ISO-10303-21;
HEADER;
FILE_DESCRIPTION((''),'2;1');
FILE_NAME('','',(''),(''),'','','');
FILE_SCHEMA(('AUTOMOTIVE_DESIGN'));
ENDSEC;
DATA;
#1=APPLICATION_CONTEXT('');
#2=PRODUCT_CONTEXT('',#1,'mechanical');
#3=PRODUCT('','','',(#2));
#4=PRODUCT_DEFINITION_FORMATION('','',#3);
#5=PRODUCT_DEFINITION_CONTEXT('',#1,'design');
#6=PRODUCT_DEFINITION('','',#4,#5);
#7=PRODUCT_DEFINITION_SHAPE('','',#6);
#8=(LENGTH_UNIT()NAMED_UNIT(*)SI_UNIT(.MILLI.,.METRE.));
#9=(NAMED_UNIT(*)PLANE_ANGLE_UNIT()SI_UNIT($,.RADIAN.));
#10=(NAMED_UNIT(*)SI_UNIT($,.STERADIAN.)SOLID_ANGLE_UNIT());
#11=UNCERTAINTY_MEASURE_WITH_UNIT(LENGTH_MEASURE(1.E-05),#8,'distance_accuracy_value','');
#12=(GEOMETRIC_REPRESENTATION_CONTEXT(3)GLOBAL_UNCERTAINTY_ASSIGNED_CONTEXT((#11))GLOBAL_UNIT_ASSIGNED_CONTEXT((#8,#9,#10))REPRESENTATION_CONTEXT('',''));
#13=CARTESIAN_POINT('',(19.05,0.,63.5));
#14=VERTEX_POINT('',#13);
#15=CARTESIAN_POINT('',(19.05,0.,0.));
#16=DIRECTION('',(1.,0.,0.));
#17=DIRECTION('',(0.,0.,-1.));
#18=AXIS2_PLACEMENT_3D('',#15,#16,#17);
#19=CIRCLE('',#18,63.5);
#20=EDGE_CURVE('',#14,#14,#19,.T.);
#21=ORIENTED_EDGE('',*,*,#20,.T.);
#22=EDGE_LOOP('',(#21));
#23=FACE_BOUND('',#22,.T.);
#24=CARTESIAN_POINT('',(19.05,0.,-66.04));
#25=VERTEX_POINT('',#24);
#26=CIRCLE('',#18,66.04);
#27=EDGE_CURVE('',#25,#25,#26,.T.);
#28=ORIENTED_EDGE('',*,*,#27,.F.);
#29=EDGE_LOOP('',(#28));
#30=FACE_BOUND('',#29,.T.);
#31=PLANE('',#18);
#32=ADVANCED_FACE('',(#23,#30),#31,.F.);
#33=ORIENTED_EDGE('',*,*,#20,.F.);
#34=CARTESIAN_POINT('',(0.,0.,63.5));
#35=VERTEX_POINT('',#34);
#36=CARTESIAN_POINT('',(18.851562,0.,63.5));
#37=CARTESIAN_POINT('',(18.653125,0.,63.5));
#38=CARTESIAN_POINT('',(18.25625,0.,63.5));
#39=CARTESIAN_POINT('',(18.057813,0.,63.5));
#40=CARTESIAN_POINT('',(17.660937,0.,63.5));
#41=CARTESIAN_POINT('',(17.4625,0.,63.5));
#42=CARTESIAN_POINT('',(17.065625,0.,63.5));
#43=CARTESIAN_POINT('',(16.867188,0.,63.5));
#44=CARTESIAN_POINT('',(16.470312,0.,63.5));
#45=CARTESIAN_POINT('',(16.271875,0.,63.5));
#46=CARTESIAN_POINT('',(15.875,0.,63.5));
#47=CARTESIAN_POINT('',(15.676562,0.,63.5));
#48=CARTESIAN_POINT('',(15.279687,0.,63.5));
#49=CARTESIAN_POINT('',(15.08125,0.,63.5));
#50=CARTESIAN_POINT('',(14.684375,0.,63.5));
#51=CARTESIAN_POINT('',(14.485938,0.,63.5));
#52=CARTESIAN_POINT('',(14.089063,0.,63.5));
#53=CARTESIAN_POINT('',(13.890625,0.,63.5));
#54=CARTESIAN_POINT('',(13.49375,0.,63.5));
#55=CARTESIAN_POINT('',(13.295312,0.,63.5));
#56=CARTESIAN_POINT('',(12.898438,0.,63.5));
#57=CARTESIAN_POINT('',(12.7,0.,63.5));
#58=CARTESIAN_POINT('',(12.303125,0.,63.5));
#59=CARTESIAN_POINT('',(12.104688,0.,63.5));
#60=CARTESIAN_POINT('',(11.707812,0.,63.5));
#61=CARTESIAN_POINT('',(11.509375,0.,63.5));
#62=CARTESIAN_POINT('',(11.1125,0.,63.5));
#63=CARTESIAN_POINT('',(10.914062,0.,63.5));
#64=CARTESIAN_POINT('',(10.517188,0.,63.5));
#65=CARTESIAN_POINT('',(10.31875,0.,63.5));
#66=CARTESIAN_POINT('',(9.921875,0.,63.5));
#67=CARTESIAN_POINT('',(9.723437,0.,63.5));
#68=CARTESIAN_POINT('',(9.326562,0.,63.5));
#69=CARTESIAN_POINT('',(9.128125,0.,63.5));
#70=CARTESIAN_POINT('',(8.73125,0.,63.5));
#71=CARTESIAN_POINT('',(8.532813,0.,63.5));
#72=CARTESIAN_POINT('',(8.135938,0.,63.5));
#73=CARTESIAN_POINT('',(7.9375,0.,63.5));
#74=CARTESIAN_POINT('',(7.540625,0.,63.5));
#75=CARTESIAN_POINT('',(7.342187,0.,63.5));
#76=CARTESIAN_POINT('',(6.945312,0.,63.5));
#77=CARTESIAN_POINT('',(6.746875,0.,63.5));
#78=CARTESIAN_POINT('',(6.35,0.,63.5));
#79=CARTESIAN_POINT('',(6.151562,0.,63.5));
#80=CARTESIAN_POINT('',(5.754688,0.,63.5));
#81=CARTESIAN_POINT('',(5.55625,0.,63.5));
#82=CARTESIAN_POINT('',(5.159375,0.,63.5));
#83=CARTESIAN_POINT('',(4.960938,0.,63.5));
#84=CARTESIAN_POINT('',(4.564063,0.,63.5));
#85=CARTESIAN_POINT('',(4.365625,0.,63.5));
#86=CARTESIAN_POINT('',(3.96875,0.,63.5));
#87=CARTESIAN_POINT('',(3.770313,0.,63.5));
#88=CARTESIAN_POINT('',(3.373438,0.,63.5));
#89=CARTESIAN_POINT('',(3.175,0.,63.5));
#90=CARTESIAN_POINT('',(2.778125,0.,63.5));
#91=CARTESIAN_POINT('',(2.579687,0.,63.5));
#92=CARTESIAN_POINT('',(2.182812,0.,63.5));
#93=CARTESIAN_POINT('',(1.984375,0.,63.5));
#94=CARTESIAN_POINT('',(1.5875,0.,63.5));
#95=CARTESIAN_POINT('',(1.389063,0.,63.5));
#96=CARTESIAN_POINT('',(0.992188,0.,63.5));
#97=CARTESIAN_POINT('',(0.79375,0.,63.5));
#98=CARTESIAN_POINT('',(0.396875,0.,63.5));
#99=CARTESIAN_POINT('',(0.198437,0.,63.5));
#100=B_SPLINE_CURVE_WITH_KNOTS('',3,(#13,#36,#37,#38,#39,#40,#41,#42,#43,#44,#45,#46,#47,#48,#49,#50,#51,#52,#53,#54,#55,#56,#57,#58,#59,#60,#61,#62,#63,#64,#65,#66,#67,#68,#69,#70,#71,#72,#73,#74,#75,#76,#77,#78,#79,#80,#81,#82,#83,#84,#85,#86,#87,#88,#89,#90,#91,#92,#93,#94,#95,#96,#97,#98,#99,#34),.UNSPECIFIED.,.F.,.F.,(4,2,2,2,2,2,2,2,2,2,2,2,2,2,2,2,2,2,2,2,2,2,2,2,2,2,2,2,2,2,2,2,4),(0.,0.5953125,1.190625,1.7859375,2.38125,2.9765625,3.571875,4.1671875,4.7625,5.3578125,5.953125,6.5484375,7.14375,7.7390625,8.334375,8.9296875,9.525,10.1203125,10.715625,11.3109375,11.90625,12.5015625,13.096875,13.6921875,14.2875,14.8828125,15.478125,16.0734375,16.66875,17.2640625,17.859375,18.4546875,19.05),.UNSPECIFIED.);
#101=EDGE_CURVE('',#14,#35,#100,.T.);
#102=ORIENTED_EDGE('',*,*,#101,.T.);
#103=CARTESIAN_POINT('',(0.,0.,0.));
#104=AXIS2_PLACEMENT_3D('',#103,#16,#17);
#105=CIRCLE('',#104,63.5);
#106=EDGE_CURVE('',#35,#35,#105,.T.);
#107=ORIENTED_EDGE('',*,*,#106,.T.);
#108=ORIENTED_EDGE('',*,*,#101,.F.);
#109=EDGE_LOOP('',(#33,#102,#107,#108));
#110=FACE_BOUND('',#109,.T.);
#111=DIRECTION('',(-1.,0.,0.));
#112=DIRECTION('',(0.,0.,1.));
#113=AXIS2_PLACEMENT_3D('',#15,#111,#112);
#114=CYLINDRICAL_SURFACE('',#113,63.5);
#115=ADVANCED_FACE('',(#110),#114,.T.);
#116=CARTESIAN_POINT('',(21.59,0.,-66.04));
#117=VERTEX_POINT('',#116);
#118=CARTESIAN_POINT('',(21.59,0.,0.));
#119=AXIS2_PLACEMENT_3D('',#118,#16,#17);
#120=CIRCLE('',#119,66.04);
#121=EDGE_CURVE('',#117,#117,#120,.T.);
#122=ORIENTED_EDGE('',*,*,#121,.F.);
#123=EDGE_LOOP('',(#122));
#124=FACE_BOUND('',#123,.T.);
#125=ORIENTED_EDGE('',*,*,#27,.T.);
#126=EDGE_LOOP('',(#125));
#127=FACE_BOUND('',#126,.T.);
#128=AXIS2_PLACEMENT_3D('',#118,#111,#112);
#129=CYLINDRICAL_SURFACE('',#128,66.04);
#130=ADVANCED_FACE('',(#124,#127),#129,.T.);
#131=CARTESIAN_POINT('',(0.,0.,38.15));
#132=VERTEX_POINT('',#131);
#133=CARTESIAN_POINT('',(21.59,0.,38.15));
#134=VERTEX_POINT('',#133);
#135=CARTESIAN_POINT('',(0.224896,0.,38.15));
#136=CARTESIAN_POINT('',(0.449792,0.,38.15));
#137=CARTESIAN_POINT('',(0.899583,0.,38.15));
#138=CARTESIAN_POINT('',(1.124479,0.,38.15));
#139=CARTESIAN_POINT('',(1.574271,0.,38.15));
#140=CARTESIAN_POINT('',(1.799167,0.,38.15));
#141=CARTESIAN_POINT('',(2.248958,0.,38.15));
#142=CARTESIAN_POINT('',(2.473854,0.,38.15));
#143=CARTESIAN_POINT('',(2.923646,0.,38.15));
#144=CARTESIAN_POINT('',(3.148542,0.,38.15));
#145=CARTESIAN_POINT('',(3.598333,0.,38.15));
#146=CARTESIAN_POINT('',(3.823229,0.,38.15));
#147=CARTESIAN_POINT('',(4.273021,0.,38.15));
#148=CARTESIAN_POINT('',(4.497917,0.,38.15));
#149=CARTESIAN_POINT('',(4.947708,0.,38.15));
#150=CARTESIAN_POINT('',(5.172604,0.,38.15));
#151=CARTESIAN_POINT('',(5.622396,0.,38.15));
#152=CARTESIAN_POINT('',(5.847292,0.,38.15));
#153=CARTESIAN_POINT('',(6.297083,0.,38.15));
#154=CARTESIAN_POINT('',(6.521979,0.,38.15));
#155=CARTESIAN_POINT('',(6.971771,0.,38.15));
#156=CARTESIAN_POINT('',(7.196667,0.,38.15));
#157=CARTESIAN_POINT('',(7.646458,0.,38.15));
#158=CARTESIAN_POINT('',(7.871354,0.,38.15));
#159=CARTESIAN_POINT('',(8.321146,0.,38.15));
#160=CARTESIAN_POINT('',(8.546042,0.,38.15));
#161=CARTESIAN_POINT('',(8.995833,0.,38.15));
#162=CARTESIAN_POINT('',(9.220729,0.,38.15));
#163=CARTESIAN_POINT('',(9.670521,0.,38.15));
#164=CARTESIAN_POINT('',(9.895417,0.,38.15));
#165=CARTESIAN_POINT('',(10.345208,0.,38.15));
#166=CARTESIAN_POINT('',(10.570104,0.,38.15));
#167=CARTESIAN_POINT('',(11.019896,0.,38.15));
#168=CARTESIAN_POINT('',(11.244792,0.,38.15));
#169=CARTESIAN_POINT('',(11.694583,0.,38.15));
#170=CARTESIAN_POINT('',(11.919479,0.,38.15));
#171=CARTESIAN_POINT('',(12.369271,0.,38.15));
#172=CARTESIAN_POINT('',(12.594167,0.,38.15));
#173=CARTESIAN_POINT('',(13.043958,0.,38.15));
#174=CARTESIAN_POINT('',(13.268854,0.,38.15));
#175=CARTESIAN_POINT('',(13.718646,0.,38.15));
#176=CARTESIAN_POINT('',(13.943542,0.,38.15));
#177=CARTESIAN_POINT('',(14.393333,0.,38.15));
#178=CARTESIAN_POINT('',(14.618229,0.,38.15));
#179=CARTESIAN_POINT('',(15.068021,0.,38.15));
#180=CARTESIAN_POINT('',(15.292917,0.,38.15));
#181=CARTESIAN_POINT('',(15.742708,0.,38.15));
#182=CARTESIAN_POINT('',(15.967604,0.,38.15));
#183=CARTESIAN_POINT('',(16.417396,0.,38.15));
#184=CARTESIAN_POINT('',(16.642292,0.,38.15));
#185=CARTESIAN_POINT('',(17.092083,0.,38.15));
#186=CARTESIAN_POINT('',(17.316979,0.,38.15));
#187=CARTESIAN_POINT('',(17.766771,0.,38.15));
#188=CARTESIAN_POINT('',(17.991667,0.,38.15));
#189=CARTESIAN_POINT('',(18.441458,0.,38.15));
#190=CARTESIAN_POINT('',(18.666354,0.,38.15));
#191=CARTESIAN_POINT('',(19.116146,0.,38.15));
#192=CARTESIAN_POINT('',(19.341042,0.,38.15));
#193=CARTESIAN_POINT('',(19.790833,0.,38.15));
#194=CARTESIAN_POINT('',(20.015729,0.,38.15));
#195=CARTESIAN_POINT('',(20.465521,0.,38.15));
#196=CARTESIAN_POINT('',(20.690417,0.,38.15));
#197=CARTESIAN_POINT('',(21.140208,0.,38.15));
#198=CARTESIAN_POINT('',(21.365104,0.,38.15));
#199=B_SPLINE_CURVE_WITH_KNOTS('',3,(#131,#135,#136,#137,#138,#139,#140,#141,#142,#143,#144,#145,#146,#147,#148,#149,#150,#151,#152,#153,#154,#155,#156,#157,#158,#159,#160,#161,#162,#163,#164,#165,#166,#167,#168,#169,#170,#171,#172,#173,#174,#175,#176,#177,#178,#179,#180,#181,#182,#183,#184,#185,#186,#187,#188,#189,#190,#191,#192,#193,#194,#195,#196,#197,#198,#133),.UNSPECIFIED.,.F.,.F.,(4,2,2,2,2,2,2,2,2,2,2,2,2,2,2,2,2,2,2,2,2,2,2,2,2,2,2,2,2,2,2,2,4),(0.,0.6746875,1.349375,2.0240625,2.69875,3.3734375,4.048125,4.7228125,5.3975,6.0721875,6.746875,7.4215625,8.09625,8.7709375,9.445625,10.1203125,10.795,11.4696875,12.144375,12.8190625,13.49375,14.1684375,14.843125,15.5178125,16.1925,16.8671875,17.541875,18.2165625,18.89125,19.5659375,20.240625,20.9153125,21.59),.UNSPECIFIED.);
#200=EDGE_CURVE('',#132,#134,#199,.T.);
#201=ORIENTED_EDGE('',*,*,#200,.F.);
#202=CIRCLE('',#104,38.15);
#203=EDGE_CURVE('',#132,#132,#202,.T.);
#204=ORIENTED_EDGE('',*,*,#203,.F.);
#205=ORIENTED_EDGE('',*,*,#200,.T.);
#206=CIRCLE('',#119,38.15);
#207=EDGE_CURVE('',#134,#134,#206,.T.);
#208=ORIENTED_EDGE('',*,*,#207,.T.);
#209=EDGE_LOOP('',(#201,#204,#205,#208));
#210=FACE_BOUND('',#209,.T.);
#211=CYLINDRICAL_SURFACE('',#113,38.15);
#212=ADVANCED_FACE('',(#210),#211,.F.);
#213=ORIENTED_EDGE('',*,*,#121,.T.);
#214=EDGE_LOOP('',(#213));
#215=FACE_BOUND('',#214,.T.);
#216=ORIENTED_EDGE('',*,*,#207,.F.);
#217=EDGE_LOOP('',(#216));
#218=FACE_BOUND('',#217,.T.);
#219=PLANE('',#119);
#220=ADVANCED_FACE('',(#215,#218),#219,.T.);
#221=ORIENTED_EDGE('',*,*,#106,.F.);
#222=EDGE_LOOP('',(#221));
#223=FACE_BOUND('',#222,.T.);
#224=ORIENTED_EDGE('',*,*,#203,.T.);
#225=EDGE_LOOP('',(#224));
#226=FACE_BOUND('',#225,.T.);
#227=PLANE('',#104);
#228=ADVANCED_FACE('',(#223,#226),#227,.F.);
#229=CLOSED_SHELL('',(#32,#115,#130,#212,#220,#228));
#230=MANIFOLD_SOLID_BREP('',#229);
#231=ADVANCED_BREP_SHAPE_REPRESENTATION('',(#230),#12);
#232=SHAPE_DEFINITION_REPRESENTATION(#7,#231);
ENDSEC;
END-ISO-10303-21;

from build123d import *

# Parameters (mm, degrees)
SKETCH2_R           = 63.5
SKETCH2_R_2         = 38.15
BOSS_EXTRUDE1_DEPTH = 19.05
SKETCH3_R           = 66.04
SKETCH3_R_2         = 38.15
BOSS_EXTRUDE4_DEPTH = 2.54


with BuildPart() as part:
    # Sketch2 → Boss-Extrude1 (new body)
    with BuildSketch(Plane(origin=(0, 0, 0), x_dir=(0, 0, -1), z_dir=(1, 0, 0))):
        with Locations(Location((0, 0, 0), (0, 0, 180))):
            Circle(SKETCH2_R)
        with Locations(Location((0, 0, 0), (0, 0, 180))):
            Circle(SKETCH2_R_2, mode=Mode.SUBTRACT)
    extrude(amount=BOSS_EXTRUDE1_DEPTH)

    # Sketch3 → Boss-Extrude4 (add)
    with BuildSketch(Plane(origin=(19.05, 0, 0), x_dir=(0, 0, -1), z_dir=(1, 0, 0))):
        Circle(SKETCH3_R)
        with Locations(Location((0, 0, 0), (0, 0, 180))):
            Circle(SKETCH3_R_2, mode=Mode.SUBTRACT)
    extrude(amount=BOSS_EXTRUDE4_DEPTH)


solid = part.part
